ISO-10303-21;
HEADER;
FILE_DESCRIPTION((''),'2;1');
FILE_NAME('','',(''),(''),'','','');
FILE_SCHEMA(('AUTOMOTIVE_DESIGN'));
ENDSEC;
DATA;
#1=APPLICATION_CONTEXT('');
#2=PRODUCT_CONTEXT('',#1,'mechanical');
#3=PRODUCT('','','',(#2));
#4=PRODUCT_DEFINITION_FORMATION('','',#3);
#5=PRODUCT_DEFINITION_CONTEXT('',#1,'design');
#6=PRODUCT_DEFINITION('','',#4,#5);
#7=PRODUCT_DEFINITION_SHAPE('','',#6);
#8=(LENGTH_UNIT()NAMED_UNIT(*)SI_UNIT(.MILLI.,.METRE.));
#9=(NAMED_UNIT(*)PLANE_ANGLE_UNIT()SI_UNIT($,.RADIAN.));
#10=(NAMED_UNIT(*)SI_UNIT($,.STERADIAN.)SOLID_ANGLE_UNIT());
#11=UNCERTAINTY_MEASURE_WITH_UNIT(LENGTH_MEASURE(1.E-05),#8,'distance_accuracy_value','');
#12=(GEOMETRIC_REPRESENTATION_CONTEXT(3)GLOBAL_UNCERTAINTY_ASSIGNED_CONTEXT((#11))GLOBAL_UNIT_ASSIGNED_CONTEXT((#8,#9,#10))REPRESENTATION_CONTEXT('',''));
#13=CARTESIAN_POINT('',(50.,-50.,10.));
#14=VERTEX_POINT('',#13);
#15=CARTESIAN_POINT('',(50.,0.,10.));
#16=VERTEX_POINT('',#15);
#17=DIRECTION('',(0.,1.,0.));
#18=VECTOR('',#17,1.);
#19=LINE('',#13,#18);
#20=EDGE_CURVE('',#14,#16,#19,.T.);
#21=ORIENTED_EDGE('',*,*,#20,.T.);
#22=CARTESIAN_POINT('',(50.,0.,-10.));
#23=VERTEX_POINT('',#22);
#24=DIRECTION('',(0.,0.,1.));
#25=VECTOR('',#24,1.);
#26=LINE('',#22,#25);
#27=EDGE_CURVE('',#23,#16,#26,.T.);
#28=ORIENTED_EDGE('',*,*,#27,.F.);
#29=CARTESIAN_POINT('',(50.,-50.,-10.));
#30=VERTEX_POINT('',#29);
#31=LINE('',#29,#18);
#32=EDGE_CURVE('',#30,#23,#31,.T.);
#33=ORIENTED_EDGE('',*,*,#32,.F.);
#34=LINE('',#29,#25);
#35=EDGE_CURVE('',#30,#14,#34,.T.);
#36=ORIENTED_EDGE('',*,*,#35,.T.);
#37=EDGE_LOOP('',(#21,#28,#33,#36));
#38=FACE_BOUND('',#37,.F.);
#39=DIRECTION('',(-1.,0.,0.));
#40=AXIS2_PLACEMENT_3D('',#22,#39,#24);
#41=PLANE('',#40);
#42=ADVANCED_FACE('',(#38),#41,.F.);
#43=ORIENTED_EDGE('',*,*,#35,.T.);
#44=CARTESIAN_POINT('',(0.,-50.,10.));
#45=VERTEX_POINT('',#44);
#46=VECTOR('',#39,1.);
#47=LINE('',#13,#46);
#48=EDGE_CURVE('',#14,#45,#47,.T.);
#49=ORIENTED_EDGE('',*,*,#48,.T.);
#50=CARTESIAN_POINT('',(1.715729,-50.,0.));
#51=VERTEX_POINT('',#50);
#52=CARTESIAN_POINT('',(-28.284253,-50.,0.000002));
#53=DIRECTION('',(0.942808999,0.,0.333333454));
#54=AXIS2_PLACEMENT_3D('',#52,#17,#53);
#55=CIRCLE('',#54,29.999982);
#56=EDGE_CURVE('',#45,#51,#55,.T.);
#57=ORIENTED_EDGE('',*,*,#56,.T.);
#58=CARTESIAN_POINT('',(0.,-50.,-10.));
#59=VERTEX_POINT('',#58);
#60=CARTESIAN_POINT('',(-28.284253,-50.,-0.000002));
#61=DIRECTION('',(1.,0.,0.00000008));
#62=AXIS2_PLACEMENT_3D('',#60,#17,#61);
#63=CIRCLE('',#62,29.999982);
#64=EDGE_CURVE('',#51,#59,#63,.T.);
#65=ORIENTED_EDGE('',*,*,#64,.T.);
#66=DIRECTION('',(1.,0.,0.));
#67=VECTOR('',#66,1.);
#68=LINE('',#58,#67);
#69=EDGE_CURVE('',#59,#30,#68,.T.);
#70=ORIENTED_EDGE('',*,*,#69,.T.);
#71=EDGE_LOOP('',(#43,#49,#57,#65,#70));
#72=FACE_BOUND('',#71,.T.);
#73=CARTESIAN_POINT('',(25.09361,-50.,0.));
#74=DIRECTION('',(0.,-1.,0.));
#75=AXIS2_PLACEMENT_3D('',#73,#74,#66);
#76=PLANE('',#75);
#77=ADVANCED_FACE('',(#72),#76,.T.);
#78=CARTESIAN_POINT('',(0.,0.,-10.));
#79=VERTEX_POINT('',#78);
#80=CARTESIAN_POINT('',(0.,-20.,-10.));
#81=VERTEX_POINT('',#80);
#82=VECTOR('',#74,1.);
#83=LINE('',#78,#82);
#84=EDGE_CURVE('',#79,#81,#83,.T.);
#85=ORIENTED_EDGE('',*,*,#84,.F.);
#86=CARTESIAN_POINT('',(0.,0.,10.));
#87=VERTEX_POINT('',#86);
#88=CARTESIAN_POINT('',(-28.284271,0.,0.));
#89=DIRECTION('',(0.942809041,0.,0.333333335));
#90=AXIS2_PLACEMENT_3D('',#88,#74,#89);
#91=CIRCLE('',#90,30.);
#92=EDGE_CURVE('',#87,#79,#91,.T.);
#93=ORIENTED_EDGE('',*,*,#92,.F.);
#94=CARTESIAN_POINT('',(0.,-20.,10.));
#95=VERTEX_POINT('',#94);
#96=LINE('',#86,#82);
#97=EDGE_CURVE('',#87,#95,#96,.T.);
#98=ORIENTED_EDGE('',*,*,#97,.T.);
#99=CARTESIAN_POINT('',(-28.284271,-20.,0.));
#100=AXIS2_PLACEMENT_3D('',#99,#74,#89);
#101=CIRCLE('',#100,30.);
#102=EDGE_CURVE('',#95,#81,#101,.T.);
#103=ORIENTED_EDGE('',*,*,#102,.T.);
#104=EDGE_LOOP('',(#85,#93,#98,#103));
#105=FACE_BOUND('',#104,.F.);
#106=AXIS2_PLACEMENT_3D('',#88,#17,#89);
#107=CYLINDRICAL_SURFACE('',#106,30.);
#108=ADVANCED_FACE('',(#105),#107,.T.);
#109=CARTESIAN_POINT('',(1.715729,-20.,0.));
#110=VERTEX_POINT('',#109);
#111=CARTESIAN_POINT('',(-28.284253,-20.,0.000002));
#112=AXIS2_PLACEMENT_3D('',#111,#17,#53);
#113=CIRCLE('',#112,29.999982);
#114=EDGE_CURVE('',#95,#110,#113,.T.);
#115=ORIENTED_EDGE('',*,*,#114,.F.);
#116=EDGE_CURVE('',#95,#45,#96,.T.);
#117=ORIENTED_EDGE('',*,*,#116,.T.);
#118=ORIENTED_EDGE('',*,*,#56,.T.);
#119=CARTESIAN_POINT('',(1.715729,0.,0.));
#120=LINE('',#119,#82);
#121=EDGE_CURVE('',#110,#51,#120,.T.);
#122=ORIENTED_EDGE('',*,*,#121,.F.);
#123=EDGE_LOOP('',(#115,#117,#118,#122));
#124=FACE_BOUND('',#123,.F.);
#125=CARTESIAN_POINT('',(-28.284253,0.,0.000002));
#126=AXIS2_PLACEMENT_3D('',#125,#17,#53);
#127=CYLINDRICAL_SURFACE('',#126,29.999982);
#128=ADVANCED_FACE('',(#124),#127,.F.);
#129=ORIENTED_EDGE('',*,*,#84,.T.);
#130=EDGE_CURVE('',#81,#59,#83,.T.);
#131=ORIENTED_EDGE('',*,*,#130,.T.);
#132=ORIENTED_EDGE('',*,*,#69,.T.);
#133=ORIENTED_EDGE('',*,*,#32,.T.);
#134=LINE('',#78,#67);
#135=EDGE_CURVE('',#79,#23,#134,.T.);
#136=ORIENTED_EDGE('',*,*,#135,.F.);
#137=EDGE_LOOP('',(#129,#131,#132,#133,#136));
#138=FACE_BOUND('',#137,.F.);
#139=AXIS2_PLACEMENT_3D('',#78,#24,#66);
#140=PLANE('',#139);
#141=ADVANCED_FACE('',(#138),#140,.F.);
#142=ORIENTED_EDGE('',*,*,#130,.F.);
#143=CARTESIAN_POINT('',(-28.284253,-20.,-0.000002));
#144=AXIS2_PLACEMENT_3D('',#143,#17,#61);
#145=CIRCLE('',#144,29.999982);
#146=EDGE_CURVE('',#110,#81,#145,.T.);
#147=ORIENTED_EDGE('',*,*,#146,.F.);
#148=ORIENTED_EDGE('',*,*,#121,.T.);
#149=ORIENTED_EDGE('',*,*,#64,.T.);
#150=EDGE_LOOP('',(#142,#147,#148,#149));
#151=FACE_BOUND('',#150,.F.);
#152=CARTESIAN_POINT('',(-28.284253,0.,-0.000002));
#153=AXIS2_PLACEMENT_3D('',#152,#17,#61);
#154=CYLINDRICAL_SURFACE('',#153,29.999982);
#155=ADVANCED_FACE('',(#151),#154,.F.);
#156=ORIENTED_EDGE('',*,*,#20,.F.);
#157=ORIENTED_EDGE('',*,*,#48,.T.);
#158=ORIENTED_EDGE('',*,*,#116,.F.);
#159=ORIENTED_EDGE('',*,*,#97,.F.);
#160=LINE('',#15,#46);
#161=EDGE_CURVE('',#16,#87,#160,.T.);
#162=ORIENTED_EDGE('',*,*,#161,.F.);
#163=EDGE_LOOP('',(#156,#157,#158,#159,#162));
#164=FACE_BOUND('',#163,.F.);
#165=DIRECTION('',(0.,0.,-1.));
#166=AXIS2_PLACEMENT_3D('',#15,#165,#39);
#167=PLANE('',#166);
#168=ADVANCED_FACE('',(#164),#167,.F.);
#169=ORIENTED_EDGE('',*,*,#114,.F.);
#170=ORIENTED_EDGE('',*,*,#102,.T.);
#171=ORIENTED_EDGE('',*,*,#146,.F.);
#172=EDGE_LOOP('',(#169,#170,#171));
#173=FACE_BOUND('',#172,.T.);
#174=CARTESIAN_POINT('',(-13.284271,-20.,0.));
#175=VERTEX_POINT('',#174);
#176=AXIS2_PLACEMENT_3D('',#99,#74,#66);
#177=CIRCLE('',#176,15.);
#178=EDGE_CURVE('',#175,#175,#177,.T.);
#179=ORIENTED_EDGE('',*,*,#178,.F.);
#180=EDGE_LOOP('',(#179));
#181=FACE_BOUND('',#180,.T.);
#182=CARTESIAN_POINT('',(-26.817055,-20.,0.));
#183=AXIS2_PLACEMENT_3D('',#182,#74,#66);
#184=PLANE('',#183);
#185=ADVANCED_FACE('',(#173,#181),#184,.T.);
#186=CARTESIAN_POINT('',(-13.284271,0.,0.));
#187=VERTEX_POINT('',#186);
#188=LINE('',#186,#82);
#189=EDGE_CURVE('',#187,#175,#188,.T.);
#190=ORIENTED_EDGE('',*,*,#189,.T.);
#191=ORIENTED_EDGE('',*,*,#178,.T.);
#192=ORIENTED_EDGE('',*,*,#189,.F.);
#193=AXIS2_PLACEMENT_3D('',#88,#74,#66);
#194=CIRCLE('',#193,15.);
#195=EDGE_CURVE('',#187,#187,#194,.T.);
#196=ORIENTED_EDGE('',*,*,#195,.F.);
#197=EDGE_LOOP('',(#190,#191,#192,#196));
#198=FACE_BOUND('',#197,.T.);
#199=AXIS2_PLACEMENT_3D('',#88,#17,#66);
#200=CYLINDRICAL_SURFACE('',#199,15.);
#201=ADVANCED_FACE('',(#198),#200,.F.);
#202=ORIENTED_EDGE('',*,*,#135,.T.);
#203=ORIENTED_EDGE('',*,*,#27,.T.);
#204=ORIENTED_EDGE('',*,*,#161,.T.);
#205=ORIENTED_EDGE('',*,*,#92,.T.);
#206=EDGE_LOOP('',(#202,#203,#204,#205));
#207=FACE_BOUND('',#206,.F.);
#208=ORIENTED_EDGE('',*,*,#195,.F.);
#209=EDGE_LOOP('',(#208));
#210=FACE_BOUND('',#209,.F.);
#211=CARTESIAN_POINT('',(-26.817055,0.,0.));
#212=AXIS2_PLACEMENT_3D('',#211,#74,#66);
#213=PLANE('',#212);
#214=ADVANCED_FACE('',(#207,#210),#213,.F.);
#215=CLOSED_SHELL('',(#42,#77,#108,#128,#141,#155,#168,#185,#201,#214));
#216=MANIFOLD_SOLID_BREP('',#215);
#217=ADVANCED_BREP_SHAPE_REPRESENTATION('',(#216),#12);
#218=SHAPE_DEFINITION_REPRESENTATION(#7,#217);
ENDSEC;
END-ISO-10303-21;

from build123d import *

# Parameters (mm, degrees)
F0_R     = 15
F1_DEPTH = 20
F2_DEPTH = 50


with BuildPart() as f1:
    # F0 (on Front) → F1 (new body)
    with BuildSketch(Plane.XZ):
        with BuildLine():
            ThreePointArc((0, -10), (1.283686, -5.073059), (1.715729, 0))
            ThreePointArc((1.715729, 0), (1.283686, 5.073059), (0, 10))
            ThreePointArc((0, 10), (-58.284271, 0), (0, -10))
        make_face()
        with Locations((-28.284271, 0)):
            Circle(F0_R, mode=Mode.SUBTRACT)
        with BuildLine():
            ThreePointArc((0, 10), (1.283686, 5.073059), (1.715729, 0))
            ThreePointArc((1.715729, 0), (1.283686, -5.073059), (0, -10))
            Line((0, -10), (50, -10))
            Line((50, -10), (50, 10))
            Line((50, 10), (0, 10))
        make_face()
    extrude(amount=F1_DEPTH)

    # F0 (on Front) → F2 (join)
    with BuildSketch(Plane.XZ):
        with BuildLine():
            ThreePointArc((0, 10), (1.283686, 5.073059), (1.715729, 0))
            ThreePointArc((1.715729, 0), (1.283686, -5.073059), (0, -10))
            Line((0, -10), (50, -10))
            Line((50, -10), (50, 10))
            Line((50, 10), (0, 10))
        make_face()
    extrude(amount=F2_DEPTH)


solid = f1.part
